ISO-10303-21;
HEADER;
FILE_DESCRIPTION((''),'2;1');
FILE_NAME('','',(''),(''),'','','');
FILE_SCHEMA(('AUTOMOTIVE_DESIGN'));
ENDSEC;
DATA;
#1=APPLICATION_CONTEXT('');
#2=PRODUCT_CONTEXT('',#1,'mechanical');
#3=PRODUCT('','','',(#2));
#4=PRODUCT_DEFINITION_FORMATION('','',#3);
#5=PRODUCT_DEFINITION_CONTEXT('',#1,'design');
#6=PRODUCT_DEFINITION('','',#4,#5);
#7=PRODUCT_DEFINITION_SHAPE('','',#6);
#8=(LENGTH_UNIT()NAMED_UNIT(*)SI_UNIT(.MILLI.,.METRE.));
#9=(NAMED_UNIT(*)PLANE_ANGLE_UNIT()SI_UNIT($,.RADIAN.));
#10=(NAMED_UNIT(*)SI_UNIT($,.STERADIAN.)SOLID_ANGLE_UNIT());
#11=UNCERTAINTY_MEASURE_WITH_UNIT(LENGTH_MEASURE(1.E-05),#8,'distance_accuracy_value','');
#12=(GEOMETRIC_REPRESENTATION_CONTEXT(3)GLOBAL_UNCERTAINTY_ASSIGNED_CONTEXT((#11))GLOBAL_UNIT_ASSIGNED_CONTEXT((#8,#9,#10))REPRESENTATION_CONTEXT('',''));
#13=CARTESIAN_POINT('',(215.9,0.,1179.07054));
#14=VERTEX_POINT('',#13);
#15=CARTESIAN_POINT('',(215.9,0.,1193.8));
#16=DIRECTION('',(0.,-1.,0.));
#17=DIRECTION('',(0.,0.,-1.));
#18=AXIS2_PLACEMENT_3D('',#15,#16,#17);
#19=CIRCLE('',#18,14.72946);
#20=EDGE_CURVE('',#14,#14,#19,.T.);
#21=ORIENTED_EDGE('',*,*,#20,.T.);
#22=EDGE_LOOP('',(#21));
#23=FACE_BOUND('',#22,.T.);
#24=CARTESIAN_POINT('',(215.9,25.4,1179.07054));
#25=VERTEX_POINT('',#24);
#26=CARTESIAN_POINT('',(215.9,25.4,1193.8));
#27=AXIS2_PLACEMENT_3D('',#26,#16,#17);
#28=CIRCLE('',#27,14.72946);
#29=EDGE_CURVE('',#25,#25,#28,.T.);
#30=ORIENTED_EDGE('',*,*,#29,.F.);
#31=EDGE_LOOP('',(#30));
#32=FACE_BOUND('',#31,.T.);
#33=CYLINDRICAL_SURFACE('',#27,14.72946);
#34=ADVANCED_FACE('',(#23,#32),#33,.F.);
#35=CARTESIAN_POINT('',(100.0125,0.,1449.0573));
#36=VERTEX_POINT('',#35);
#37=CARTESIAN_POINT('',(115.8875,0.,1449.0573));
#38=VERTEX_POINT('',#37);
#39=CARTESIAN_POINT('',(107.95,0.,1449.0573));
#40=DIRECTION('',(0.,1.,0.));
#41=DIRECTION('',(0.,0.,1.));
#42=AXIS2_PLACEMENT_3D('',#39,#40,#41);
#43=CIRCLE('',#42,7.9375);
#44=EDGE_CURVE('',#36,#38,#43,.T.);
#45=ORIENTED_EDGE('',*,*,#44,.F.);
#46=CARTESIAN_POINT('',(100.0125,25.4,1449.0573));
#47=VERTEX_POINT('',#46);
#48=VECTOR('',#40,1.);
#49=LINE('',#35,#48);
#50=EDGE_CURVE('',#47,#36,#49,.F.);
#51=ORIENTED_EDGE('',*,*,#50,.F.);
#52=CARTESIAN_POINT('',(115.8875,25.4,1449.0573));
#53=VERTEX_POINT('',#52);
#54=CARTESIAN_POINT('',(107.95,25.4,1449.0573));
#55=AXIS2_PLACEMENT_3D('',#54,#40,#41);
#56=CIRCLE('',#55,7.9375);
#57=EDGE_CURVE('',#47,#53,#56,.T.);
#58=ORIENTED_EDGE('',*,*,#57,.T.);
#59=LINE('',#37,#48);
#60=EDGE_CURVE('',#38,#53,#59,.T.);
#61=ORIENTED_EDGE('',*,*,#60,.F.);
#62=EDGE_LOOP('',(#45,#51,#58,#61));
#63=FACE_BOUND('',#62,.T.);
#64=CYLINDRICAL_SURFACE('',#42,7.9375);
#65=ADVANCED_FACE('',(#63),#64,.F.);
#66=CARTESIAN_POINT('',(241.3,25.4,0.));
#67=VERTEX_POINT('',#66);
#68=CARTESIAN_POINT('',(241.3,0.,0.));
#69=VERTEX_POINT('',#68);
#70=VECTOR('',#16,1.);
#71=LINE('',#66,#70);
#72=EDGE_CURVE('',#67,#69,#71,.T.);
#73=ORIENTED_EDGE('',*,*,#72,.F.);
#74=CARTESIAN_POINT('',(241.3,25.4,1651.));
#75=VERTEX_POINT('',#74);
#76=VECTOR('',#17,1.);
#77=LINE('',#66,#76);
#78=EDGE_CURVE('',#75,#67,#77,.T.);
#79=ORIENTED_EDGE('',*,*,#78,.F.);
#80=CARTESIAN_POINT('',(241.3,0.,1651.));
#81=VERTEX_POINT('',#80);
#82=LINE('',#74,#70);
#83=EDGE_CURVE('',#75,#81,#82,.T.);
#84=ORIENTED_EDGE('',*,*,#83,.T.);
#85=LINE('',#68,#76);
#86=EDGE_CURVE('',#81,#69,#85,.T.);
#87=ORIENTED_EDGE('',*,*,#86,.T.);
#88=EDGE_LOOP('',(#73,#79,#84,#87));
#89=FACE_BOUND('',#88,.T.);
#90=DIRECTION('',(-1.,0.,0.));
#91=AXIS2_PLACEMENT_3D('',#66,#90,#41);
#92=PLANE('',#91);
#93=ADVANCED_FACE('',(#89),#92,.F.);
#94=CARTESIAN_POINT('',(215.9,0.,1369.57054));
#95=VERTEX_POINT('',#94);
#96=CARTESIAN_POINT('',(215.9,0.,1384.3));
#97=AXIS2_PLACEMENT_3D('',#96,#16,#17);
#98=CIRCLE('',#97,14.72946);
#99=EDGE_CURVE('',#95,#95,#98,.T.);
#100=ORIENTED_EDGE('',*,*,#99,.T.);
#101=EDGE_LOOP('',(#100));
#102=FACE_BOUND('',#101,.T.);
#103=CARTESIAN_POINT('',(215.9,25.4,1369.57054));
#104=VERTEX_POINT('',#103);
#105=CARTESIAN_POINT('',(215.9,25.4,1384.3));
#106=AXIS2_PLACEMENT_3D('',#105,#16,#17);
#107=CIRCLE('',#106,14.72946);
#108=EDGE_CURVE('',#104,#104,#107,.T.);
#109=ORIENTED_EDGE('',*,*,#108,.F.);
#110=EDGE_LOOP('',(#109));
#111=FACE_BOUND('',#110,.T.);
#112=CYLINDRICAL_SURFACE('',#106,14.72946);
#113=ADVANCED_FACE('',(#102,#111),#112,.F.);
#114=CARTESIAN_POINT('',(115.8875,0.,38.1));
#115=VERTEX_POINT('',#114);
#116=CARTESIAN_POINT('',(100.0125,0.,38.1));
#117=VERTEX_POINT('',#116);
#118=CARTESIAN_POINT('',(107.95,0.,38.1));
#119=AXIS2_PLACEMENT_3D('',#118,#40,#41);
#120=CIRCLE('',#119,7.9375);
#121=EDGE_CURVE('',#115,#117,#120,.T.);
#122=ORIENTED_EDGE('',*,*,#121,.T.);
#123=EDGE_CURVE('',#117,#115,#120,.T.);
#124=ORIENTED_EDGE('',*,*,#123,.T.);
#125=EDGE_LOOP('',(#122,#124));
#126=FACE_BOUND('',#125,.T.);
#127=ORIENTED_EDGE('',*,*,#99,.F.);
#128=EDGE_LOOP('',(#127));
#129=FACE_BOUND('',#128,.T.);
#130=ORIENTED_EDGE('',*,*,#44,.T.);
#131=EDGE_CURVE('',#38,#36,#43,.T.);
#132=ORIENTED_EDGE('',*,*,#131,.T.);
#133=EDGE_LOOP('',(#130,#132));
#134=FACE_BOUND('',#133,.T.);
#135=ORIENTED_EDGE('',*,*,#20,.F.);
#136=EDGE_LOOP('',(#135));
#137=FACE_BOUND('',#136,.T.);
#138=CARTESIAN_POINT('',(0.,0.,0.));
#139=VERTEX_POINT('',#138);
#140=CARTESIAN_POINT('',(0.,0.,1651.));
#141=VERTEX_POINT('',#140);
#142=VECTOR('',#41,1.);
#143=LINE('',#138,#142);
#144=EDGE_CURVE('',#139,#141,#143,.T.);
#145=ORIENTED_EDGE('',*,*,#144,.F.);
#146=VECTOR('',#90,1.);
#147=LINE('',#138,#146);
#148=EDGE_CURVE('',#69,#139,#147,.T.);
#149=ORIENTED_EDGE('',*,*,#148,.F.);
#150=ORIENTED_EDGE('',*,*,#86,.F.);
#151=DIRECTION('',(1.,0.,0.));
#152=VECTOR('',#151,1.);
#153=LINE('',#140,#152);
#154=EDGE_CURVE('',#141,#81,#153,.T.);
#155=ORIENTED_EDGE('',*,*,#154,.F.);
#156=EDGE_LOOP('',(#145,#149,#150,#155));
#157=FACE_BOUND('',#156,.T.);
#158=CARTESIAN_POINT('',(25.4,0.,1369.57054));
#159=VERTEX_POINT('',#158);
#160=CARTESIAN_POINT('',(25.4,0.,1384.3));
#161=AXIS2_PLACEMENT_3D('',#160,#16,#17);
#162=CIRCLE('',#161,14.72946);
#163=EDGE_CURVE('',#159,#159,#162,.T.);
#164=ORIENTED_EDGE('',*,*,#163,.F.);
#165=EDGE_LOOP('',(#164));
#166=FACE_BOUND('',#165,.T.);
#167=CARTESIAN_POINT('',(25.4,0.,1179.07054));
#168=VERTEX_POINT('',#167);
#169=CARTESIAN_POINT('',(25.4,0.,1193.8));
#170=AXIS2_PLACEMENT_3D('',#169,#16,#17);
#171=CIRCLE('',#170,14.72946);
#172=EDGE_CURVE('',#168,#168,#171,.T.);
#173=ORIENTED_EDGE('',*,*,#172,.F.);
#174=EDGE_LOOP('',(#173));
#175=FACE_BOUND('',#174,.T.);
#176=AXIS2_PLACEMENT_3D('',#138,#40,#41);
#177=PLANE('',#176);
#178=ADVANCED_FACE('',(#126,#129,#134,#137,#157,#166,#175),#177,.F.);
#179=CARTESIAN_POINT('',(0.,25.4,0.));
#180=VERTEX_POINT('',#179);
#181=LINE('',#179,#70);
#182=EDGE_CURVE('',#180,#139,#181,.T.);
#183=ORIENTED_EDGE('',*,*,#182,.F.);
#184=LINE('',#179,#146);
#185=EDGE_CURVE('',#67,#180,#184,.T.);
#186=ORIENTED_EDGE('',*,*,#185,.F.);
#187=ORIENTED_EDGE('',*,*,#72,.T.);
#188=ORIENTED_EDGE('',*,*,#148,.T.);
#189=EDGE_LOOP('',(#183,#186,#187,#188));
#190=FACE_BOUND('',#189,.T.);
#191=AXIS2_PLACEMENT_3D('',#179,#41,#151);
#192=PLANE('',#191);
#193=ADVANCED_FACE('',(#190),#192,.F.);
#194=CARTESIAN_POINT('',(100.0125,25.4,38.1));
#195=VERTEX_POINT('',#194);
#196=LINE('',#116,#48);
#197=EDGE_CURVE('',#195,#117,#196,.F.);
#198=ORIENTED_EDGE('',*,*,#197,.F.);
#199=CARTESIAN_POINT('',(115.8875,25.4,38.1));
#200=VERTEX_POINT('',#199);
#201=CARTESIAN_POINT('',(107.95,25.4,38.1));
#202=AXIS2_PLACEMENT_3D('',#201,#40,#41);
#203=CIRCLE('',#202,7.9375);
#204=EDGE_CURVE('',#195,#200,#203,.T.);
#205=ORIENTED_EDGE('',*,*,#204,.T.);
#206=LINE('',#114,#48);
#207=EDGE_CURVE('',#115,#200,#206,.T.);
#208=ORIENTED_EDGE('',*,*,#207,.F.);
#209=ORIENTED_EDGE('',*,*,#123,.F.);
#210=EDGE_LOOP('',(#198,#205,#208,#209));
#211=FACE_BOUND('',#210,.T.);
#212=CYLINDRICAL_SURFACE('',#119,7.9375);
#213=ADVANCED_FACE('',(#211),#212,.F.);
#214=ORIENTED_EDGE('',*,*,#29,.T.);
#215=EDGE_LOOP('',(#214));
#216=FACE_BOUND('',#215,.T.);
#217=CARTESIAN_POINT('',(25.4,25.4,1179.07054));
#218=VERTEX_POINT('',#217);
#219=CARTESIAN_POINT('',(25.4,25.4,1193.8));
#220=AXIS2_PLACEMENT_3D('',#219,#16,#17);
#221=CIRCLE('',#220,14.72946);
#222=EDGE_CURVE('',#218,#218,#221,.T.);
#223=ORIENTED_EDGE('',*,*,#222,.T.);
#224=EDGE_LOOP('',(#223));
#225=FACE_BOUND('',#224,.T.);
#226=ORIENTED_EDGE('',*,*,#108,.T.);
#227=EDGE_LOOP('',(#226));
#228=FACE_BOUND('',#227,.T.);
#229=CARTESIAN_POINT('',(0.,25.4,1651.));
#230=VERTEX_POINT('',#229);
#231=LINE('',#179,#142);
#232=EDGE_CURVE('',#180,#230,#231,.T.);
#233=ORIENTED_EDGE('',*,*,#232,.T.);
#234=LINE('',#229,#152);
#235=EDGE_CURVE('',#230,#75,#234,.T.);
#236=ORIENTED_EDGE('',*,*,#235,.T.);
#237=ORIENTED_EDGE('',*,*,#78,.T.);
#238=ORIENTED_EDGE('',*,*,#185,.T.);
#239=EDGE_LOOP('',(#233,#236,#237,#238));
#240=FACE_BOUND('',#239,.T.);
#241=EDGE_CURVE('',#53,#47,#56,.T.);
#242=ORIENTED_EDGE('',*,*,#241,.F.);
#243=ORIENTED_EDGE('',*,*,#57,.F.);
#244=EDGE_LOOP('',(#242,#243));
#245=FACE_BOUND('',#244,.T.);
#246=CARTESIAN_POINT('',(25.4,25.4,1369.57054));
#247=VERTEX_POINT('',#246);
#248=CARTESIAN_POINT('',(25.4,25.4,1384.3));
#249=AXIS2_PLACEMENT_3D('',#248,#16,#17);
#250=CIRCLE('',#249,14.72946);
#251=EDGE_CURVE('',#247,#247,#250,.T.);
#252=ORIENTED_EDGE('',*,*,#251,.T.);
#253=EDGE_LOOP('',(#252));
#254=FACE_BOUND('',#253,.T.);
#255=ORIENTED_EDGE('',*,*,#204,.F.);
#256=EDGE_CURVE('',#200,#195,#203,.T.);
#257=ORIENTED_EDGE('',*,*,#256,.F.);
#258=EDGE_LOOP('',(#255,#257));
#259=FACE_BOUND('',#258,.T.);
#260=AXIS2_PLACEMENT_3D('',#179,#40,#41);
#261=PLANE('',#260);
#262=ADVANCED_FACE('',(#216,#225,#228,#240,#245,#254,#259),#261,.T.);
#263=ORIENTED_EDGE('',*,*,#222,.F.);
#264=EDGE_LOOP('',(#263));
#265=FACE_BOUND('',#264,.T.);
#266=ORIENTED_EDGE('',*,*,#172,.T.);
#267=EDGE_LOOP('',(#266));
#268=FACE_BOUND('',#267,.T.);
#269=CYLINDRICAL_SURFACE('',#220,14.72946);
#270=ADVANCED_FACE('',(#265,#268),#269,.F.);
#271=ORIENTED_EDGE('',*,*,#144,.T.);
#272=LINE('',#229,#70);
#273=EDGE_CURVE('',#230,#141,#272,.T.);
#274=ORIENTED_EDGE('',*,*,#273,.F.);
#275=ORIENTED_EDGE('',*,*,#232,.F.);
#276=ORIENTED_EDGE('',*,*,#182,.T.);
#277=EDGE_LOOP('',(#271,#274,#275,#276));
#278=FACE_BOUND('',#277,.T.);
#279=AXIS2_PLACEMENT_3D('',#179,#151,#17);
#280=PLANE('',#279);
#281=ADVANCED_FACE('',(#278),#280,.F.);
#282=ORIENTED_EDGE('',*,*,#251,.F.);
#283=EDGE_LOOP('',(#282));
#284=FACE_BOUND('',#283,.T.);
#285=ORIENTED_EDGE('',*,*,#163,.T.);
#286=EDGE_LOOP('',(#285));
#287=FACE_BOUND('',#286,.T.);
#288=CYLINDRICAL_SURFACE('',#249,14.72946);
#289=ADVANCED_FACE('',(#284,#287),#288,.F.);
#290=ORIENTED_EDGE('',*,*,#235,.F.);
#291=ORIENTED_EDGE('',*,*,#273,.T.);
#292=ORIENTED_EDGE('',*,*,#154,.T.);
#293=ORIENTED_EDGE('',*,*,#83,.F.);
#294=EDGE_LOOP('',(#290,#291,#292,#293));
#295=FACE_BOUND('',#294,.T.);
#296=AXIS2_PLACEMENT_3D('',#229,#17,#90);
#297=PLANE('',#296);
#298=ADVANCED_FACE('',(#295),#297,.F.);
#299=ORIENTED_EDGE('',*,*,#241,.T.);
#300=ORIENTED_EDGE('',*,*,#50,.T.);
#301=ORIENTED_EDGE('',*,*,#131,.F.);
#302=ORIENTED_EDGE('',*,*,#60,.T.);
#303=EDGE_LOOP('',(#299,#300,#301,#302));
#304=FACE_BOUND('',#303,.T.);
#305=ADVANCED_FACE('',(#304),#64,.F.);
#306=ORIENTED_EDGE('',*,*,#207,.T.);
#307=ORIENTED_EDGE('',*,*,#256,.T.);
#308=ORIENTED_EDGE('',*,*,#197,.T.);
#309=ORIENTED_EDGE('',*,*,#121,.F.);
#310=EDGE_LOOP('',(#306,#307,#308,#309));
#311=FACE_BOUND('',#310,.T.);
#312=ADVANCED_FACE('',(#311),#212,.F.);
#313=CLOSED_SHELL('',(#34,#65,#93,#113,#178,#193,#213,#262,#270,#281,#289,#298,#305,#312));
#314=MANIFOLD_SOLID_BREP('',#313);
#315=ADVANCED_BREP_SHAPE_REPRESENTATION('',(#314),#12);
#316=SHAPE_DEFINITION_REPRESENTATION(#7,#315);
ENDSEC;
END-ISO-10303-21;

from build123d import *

# Parameters (mm, degrees)
SKETCH1_W               = 241.3
SKETCH1_H               = 1651
BOSS_EXTRUDE1_DEPTH     = 25.4
CUT_EXTRUDE1_DEPTH      = 1669.733606661
CUT_EXTRUDE1_DEPTH_BACK = 1669.733606661
SKETCH2_R               = 7.9375
SKETCH3_R               = 14.72946
CUT_EXTRUDE2_DEPTH      = 1669.733606661


with BuildPart() as part:
    # Sketch1 → Boss-Extrude1 (new body)
    with BuildSketch(Plane(origin=(0, 0, 0), x_dir=(1, 0, 0), z_dir=(0, 1, 0))):
        with Locations((120.65, -825.5)):
            Rectangle(SKETCH1_W, SKETCH1_H)
    extrude(amount=BOSS_EXTRUDE1_DEPTH)

    # Sketch2 → Cut-Extrude1 (cut, two sides: drawn at the far end of the back side and taken through both)
    with BuildSketch(Plane(origin=(0, 25.4, 0), x_dir=(1, 0, 0), z_dir=(0, 1, 0)).offset(-CUT_EXTRUDE1_DEPTH_BACK)):
        with Locations(Location((107.95, -38.1, 0), (0, 0, 270))):
            Circle(SKETCH2_R)
        with Locations(Location((107.95, -1449.0573, 0), (0, 0, 270))):
            Circle(SKETCH2_R)
    extrude(amount=CUT_EXTRUDE1_DEPTH + CUT_EXTRUDE1_DEPTH_BACK, mode=Mode.SUBTRACT)

    # Sketch3 → Cut-Extrude2 (cut, through all)
    with BuildSketch(Plane.XZ):
        with Locations(Location((215.9, 1193.8, 0), (0, 0, 270))):
            Circle(SKETCH3_R)
        with Locations(Location((25.4, 1193.8, 0), (0, 0, 270))):
            Circle(SKETCH3_R)
        with Locations(Location((25.4, 1384.3, 0), (0, 0, 270))):
            Circle(SKETCH3_R)
        with Locations(Location((215.9, 1384.3, 0), (0, 0, 270))):
            Circle(SKETCH3_R)
    extrude(amount=-CUT_EXTRUDE2_DEPTH, mode=Mode.SUBTRACT)


solid = part.part
